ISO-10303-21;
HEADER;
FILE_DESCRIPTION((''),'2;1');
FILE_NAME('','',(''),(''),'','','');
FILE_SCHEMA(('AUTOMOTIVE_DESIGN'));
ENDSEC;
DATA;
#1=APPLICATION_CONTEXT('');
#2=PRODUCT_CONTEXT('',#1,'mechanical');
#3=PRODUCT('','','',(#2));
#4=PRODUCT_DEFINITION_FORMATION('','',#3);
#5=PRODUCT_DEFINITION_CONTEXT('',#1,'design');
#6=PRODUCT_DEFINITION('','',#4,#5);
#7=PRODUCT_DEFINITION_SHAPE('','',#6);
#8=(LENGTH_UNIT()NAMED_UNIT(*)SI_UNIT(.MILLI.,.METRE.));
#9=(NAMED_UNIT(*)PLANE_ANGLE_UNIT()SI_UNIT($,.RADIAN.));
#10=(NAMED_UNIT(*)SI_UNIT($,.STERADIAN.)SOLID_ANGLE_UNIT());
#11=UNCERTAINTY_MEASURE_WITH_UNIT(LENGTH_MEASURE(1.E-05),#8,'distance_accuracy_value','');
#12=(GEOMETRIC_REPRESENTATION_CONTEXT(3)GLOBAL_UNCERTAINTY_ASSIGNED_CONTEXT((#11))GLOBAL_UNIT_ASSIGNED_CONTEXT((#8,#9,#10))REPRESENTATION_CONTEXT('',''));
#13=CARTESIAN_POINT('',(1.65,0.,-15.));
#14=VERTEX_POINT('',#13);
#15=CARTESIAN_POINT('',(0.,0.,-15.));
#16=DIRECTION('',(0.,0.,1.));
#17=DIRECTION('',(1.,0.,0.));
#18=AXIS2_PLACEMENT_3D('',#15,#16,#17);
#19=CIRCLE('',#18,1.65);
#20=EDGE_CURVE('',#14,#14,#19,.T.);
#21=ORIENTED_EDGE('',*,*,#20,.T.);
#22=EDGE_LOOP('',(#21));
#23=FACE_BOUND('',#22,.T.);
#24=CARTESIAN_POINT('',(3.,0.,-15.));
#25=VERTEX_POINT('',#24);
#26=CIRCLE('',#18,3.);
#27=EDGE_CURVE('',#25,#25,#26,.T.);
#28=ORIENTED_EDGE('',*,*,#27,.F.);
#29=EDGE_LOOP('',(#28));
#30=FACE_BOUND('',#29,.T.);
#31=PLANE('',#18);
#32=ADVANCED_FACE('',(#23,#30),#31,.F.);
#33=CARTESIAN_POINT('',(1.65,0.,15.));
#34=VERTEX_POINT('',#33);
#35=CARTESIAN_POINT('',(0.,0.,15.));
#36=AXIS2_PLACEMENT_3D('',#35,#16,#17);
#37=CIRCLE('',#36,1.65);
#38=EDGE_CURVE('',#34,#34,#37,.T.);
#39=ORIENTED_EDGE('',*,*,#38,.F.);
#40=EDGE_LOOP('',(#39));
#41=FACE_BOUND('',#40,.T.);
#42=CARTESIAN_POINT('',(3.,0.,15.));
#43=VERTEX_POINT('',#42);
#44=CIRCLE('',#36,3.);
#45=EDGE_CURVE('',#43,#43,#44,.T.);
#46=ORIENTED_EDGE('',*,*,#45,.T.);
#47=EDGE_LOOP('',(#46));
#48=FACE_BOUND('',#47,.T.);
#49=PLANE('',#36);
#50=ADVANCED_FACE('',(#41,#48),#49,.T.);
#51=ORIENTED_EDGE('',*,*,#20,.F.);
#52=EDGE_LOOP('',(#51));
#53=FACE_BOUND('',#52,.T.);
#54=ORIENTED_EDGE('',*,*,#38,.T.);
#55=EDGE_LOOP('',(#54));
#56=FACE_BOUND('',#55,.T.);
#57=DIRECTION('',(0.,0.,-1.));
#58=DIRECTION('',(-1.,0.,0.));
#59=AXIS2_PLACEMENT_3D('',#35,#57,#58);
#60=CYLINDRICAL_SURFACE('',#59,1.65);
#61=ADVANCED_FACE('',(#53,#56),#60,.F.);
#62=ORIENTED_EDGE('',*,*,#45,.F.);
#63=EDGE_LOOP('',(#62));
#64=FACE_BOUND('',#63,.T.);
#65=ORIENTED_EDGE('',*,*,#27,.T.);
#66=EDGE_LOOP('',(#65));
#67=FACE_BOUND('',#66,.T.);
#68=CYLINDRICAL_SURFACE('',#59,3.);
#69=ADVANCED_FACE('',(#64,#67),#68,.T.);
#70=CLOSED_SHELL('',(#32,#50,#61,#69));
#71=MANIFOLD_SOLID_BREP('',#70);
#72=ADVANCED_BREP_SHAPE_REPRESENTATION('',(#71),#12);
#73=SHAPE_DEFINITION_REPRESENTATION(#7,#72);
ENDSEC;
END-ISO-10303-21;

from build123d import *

# Parameters (mm, degrees)
SKETCH1_R           = 3
SKETCH1_R_2         = 1.65
BOSS_EXTRUDE1_DEPTH = 15


with BuildPart() as part:
    # Sketch1 → Boss-Extrude1 (new, symmetric)
    with BuildSketch(Plane.XY):
        Circle(SKETCH1_R)
        Circle(SKETCH1_R_2, mode=Mode.SUBTRACT)
    extrude(amount=BOSS_EXTRUDE1_DEPTH, both=True)


solid = part.part
